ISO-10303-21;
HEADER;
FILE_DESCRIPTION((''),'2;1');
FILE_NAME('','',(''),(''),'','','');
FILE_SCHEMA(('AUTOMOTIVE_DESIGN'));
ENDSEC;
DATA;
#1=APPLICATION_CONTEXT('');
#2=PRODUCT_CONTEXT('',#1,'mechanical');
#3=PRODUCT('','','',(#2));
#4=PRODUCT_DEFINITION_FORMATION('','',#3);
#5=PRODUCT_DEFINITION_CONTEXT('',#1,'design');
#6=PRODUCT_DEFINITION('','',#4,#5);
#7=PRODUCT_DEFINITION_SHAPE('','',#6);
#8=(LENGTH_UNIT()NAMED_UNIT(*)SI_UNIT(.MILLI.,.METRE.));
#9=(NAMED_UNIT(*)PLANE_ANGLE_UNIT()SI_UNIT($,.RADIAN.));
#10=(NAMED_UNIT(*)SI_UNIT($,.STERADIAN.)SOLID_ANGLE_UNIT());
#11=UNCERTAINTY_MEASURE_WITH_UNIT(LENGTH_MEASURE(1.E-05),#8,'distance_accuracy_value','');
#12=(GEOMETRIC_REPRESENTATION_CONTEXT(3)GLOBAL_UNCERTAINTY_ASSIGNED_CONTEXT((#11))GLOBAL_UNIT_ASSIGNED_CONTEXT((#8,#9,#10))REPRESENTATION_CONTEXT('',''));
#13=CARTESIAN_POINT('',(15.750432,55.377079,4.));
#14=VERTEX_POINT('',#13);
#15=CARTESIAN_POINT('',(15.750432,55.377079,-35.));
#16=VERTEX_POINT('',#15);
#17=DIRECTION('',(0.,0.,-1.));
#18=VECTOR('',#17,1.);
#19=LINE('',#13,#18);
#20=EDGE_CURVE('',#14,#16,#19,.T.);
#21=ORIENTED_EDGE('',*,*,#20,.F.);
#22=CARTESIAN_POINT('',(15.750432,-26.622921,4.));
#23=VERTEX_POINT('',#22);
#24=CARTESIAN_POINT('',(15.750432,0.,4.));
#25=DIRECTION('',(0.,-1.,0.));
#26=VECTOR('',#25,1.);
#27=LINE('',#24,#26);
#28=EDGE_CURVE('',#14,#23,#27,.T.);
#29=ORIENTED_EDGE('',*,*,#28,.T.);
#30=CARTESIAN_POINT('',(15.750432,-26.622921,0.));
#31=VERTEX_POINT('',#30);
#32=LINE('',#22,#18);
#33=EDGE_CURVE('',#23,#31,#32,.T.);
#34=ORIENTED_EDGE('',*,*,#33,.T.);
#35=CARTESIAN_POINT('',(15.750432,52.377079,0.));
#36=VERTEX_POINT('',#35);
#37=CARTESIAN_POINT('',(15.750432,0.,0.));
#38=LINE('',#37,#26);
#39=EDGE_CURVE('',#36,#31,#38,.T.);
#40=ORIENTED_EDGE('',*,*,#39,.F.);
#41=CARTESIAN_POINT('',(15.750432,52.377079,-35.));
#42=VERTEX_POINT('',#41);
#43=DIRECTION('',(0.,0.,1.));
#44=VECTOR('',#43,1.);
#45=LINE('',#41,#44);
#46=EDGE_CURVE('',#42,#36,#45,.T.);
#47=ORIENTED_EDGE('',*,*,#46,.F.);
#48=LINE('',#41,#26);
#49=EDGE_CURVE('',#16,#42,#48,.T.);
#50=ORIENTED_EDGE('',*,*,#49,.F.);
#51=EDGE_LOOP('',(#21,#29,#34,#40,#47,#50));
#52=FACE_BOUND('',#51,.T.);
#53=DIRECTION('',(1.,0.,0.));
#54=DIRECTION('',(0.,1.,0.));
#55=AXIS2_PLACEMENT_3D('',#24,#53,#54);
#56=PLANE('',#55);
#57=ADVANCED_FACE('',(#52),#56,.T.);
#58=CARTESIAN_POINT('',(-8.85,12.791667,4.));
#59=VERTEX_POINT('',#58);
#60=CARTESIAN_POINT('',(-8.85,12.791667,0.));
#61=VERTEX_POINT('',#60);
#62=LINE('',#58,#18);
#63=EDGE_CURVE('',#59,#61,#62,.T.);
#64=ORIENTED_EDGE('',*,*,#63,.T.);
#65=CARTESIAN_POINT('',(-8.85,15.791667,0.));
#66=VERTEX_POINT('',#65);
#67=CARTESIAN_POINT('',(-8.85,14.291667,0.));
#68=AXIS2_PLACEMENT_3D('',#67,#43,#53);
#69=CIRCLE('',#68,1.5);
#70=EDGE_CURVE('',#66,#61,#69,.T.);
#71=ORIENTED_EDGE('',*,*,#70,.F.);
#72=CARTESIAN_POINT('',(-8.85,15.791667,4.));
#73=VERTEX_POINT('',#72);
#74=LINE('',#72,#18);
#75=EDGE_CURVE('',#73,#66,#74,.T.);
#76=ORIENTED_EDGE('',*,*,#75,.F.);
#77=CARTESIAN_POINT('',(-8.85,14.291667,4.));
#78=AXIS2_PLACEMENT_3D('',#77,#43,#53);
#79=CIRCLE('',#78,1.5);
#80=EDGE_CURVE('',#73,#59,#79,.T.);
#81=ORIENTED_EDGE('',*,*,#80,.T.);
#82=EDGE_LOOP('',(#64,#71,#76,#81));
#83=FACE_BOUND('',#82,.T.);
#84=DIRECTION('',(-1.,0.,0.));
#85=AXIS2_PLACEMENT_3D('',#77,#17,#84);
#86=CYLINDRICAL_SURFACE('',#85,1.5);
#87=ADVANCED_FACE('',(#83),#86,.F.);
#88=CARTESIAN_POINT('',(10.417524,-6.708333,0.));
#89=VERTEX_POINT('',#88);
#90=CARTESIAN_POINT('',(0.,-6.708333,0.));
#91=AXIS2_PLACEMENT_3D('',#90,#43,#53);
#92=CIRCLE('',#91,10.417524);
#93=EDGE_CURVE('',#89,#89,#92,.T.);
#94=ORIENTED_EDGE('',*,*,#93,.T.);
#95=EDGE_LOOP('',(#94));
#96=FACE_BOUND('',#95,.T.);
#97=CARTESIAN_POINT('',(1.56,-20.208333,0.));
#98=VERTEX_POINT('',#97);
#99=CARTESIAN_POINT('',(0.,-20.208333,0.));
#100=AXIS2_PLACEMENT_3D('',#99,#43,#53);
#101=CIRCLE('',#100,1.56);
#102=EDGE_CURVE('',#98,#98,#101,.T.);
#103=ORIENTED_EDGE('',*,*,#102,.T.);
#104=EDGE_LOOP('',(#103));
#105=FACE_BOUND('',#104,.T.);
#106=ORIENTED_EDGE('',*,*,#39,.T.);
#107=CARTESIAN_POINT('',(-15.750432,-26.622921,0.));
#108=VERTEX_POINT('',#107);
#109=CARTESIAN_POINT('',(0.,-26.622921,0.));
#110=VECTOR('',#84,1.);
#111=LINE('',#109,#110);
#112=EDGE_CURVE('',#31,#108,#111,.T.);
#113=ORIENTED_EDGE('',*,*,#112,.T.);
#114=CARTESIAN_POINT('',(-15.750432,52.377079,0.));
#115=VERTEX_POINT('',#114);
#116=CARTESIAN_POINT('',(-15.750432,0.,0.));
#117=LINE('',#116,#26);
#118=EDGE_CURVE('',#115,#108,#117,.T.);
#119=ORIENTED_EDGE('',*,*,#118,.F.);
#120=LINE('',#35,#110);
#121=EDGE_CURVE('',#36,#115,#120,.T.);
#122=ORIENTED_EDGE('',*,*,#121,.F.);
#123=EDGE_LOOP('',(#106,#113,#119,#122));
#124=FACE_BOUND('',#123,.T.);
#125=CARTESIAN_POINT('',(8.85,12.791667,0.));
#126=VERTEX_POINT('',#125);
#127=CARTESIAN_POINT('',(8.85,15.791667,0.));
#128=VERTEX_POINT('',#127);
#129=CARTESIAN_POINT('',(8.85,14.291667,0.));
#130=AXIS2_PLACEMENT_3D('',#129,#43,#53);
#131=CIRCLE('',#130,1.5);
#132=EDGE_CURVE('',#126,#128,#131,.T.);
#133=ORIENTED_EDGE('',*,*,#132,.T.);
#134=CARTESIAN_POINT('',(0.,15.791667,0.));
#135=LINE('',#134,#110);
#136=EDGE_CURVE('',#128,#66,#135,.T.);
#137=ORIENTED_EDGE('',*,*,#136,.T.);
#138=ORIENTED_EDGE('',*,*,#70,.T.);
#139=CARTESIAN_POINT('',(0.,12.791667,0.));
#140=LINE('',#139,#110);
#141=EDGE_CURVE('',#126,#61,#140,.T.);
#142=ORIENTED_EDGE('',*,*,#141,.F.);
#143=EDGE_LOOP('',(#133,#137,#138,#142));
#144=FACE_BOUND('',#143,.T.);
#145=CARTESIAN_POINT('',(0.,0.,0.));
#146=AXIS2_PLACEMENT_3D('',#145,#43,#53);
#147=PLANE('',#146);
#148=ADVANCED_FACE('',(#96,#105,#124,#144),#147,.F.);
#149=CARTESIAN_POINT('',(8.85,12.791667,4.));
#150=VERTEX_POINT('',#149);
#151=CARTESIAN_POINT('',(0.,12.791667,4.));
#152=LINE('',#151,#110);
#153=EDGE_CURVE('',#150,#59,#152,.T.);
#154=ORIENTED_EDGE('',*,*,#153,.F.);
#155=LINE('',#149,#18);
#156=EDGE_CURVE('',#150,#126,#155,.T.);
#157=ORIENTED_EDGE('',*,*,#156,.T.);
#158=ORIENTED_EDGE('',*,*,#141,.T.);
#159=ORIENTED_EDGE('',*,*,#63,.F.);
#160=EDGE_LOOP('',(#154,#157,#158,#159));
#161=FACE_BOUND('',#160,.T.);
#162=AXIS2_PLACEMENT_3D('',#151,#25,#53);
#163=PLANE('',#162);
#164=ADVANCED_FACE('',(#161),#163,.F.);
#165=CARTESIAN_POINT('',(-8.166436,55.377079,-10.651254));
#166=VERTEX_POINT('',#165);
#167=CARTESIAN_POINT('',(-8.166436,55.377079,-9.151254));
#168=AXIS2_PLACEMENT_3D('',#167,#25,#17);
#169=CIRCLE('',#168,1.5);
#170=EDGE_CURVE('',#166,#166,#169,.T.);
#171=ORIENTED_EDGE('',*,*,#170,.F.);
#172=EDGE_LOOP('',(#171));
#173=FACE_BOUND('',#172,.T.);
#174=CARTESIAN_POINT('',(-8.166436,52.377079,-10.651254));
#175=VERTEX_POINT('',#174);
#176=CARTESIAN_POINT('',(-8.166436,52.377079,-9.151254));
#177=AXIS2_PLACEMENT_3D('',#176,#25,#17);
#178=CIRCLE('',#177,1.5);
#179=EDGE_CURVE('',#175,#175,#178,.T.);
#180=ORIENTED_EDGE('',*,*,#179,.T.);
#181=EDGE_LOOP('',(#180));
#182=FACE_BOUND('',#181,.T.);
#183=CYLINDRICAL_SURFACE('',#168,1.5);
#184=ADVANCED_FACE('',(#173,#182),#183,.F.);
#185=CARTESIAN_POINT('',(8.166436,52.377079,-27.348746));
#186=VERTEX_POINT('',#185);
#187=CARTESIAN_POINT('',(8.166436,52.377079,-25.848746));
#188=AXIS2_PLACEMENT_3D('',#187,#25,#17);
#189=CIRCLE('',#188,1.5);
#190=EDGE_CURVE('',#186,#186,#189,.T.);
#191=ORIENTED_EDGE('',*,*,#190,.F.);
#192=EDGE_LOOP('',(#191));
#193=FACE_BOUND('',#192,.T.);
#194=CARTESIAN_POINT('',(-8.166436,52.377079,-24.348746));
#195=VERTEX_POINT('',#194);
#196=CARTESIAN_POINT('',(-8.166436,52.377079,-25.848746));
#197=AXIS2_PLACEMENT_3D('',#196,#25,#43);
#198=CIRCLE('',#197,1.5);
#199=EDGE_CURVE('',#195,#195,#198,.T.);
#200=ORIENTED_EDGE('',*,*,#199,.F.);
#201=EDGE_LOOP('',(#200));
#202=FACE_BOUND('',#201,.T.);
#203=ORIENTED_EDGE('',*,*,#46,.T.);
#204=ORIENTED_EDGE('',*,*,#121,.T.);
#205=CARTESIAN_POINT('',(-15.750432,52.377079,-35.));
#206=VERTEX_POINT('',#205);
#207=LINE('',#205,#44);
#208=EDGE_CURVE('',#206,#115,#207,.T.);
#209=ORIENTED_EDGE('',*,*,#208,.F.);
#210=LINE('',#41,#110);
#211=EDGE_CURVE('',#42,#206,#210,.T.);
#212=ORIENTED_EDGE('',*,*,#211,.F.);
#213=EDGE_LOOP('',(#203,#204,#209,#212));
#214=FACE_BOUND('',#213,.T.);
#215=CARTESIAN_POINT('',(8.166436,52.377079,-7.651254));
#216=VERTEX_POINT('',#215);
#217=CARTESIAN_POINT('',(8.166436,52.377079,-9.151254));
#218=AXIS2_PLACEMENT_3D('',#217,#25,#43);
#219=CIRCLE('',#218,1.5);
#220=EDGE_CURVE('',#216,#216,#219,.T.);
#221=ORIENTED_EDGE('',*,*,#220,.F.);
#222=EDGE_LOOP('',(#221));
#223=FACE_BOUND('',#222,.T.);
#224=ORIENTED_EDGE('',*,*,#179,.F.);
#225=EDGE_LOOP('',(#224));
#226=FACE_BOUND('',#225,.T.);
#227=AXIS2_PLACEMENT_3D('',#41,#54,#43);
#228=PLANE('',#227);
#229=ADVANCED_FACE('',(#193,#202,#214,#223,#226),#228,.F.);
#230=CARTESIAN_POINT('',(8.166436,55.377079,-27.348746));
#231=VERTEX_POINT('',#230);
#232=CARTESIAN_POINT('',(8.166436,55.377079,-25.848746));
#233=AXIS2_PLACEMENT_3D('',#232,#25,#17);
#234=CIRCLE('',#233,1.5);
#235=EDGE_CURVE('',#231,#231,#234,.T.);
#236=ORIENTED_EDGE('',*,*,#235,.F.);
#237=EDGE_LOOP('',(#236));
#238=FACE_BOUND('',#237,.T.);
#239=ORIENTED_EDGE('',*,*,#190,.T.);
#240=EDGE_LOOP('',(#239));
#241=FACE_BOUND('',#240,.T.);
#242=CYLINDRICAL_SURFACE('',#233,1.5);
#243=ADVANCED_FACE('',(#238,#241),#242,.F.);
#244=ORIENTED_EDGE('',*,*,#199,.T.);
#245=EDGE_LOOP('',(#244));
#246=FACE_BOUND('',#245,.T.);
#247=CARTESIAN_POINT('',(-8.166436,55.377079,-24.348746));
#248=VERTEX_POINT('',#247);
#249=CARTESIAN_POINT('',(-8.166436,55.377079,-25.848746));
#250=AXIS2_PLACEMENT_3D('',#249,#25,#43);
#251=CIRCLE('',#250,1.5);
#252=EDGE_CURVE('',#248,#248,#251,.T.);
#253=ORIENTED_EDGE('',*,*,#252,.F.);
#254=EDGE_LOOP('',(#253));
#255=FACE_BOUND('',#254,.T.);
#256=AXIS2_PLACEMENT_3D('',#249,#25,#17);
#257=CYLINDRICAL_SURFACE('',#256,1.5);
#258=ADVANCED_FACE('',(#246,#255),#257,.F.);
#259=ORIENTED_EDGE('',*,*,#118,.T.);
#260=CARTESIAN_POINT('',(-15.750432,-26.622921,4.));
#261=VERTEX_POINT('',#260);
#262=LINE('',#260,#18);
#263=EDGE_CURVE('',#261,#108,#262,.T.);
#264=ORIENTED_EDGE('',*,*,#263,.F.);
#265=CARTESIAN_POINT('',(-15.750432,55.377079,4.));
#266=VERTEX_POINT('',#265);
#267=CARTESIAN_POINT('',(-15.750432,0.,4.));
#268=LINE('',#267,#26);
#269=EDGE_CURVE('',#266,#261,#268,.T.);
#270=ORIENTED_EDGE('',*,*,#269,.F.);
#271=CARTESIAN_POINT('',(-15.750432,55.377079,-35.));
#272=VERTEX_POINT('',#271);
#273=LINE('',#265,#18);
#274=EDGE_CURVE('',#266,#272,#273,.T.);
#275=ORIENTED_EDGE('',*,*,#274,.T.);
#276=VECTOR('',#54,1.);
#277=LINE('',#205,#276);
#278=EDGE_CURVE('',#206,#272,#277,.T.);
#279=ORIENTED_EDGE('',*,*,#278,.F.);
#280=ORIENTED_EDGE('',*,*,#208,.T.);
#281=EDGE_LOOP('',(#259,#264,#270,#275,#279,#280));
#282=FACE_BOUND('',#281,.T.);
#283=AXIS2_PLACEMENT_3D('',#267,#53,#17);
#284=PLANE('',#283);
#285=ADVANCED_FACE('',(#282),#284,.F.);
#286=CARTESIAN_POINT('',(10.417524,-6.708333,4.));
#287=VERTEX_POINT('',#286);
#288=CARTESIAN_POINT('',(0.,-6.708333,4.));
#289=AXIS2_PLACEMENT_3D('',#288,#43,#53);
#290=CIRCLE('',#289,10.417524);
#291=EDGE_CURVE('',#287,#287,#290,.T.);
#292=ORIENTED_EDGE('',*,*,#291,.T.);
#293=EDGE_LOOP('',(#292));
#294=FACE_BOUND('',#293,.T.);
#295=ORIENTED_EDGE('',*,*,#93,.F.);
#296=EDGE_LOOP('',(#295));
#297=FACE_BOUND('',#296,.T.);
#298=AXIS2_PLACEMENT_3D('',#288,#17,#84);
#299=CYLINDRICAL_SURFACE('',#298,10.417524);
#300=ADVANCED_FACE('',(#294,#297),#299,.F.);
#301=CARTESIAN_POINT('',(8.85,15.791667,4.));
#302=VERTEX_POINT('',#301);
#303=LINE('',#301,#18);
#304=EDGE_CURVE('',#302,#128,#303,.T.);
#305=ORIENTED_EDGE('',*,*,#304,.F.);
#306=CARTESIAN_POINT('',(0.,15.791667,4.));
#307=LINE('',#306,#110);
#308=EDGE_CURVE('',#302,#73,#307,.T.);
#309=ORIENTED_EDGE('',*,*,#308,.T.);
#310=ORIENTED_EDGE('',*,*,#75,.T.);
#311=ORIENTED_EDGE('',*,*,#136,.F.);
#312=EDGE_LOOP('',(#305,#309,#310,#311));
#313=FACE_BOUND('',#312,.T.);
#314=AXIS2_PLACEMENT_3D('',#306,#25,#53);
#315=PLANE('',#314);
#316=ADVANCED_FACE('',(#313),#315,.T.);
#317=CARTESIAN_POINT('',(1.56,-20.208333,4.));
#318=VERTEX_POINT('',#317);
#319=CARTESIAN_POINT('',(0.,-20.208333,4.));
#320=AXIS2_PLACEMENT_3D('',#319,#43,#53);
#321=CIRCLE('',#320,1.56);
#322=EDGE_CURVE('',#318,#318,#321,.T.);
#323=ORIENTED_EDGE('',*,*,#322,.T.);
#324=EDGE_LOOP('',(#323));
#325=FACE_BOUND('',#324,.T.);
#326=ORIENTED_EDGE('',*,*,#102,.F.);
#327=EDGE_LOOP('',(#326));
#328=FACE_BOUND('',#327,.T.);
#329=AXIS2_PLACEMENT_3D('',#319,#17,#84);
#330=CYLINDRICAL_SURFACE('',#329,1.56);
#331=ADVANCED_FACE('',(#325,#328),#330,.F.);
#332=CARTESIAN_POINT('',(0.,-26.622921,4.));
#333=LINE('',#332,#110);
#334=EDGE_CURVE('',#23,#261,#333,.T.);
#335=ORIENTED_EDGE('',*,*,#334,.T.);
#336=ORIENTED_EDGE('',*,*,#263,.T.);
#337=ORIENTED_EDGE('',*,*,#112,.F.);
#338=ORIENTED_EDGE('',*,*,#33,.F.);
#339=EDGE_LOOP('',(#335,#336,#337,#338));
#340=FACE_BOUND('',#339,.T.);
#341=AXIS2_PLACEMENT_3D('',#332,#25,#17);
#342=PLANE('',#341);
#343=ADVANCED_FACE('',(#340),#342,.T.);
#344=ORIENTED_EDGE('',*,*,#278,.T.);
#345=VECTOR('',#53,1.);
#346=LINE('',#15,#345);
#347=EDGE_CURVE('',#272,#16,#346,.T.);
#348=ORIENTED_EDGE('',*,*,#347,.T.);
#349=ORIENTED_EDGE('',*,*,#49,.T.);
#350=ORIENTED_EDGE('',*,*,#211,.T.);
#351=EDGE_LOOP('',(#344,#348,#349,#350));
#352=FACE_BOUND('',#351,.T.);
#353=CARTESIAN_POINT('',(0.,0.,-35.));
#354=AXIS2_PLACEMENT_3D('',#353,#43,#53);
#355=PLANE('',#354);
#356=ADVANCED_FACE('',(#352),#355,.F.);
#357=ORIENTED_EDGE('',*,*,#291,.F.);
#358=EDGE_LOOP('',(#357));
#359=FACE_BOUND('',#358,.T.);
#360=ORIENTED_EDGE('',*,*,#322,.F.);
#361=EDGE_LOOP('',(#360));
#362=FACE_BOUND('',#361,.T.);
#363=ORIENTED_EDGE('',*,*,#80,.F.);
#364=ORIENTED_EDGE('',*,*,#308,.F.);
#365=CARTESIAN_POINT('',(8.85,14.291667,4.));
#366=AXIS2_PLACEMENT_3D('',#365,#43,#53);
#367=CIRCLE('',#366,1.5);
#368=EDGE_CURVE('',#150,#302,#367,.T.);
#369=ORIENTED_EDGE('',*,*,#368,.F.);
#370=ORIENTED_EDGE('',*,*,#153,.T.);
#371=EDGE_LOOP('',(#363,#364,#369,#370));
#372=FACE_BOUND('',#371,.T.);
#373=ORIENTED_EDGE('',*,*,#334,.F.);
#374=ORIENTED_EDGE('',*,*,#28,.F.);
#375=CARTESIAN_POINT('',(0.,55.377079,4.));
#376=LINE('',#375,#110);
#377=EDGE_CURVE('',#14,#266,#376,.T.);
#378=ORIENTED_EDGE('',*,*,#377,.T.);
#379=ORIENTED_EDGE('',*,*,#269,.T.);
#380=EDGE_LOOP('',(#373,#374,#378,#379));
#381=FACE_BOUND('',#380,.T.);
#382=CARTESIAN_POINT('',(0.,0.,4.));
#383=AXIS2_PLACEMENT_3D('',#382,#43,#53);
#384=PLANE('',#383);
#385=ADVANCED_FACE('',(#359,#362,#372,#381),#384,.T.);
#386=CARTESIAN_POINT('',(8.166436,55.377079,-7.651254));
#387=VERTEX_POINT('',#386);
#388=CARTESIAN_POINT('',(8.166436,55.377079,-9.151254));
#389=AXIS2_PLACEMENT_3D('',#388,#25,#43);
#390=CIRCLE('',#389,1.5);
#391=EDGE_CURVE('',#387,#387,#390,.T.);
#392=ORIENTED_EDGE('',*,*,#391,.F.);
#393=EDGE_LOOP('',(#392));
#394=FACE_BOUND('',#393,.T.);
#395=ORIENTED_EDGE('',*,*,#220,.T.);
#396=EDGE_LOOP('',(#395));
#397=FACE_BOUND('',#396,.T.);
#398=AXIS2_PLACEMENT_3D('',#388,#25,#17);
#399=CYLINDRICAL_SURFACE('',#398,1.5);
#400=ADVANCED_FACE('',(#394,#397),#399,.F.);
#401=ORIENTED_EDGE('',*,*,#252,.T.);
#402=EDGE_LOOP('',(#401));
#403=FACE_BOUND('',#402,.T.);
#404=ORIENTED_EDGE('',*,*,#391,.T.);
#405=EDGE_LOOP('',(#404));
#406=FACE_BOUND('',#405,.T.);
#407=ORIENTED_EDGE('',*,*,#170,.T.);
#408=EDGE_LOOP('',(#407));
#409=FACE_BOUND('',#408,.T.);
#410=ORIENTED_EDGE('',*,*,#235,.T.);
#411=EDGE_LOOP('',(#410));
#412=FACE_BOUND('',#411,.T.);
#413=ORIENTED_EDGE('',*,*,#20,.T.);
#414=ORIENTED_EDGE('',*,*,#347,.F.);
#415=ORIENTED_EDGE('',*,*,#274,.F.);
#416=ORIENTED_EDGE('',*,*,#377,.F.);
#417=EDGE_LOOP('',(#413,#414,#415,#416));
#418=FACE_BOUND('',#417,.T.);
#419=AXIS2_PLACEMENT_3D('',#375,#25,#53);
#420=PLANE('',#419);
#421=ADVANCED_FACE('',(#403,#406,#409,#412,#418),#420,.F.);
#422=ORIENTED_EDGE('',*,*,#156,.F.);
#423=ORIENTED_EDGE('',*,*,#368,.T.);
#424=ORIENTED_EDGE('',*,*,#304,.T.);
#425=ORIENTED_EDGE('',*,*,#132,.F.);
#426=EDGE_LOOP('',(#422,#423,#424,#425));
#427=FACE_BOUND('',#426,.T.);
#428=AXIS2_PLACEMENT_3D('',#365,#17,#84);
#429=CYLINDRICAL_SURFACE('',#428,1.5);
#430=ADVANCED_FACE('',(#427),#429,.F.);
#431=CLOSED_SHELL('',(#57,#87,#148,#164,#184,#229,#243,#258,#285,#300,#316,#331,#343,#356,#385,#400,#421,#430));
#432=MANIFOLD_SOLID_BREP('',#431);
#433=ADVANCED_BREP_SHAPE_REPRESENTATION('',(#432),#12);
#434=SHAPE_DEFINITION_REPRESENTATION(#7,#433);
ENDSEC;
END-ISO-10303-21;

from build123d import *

# Parameters (mm, degrees)
SKETCH_1_W          = 31.500863908
SKETCH_1_H          = 82
SKETCH_1_R          = 10.417524335
SKETCH_1_R_2        = 1.56
EXTRUDE_1_DEPTH     = 4
SKETCH_3_W          = 31.500863908
SKETCH_3_H          = 3
EXTRUDE_2_DEPTH     = 35
SKETCH_6_R          = 1.5
CUT_EXTRUDE_1_DEPTH = 4


with BuildPart() as part:
    # 草图1 → 凸台-拉伸1 (new body)
    with BuildSketch(Plane.XY):
        with Locations((0, 14.377078694)):
            Rectangle(SKETCH_1_W, SKETCH_1_H)
        with Locations((0, -6.708333333)):
            Circle(SKETCH_1_R, mode=Mode.SUBTRACT)
        with Locations((0, -20.208333333)):
            Circle(SKETCH_1_R_2, mode=Mode.SUBTRACT)
        with BuildLine():
            Line((8.85, 15.791666667), (-8.85, 15.791666667))
            ThreePointArc((-8.85, 15.791666667), (-10.35, 14.291666667), (-8.85, 12.791666667))
            Line((-8.85, 12.791666667), (8.85, 12.791666667))
            ThreePointArc((8.85, 12.791666667), (10.35, 14.291666667), (8.85, 15.791666667))
        make_face(mode=Mode.SUBTRACT)
    extrude(amount=EXTRUDE_1_DEPTH)

    # 草图3 → 凸台-拉伸2 (add)
    with BuildSketch(Plane(origin=(0, 0, 0), x_dir=(-1, 0, 0), z_dir=(0, 0, -1))):
        with Locations((0, 53.877078694)):
            Rectangle(SKETCH_3_W, SKETCH_3_H)
    extrude(amount=EXTRUDE_2_DEPTH)

    # 草图6 → 切除-拉伸1 (cut, through all)
    with BuildSketch(Plane.XZ.offset(-52.377078694)):
        with Locations((-8.166436246, -9.151254402)):
            Circle(SKETCH_6_R)
        with Locations((8.166436246, -9.151254402)):
            Circle(SKETCH_6_R)
        with Locations((8.166436246, -25.848745598)):
            Circle(SKETCH_6_R)
        with Locations((-8.166436246, -25.848745598)):
            Circle(SKETCH_6_R)
    extrude(amount=-CUT_EXTRUDE_1_DEPTH, mode=Mode.SUBTRACT)


solid = part.part
